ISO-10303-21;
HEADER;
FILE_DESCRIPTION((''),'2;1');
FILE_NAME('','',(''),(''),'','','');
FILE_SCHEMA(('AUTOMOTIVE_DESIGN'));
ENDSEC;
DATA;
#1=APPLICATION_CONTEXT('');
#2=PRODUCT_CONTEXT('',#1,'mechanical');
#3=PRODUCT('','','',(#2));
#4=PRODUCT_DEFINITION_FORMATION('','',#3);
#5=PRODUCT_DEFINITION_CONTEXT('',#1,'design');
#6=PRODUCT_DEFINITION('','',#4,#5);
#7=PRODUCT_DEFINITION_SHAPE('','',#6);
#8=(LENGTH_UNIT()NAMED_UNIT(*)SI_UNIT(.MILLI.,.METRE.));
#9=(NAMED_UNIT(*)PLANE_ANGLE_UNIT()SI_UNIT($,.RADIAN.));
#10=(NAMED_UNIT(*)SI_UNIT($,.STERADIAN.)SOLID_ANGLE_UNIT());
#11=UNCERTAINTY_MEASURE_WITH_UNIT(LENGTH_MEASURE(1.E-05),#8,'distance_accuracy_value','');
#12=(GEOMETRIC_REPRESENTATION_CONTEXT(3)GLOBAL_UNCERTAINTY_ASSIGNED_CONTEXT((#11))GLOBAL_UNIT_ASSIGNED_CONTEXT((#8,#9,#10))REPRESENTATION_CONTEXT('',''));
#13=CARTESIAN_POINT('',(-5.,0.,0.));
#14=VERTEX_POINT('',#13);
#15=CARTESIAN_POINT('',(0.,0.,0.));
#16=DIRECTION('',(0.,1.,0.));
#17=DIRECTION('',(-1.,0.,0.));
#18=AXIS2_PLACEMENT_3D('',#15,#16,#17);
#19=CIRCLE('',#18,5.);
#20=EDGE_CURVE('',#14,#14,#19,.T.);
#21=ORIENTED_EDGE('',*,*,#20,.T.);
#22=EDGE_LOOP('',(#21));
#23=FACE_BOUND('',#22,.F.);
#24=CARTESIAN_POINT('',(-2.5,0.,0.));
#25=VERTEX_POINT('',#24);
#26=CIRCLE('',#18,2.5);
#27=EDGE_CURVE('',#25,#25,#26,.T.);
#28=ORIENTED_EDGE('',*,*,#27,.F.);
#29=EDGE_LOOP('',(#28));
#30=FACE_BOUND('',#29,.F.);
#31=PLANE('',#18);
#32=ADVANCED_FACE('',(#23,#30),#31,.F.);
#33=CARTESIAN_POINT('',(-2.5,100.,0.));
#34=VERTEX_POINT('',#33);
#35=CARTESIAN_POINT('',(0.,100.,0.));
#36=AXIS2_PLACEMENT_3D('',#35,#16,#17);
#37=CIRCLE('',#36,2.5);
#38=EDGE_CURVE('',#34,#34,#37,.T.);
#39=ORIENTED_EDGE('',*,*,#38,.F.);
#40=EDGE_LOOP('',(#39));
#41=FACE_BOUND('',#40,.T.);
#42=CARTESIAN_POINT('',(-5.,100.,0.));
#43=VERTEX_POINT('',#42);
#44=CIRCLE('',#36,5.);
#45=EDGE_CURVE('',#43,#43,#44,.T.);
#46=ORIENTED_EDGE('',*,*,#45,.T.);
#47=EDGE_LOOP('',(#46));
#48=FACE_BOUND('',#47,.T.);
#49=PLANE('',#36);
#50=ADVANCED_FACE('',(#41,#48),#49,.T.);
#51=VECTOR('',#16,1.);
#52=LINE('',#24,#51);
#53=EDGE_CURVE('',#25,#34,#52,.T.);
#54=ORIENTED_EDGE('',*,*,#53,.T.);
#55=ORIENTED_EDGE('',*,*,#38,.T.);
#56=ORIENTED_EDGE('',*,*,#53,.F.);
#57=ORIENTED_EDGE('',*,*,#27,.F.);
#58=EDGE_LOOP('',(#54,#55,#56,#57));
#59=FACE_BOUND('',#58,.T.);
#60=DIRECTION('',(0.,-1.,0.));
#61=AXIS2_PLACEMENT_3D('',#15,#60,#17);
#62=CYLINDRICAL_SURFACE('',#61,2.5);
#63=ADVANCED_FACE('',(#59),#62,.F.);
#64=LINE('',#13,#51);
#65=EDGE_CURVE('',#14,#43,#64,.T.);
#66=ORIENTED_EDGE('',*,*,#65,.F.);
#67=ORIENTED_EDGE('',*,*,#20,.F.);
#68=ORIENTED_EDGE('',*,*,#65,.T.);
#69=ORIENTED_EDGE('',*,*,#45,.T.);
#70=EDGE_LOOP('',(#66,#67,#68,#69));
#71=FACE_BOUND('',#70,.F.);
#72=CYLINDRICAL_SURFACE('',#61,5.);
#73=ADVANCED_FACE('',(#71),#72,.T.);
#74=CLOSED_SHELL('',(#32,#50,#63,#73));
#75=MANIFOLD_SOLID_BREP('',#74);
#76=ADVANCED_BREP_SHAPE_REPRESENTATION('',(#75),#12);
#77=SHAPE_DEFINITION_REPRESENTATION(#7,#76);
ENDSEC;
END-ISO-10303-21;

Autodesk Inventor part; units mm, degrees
ref_plane "YZ Plane" through (0, 0, 0) normal (1, 0, 0) x (0, 1, 0)
ref_plane "XZ Plane" through (0, 0, 0) normal (0, 1, 0) x (-1, 0, 0)
ref_plane "XY Plane" through (0, 0, 0) normal (0, 0, 1) x (1, 0, 0)
sketch "Esboço1" plane through (0, 0, 0) normal (0, 1, 0) x (-1, 0, 0)
  circle A0 centre (0, 0) radius 5
  circle A1 centre (0, 0) radius 2.5
  dimension "d0" = 10
  dimension "d1" = 5
extrude "Extrusão1" add sketch "Esboço1" along normal blind 100
properties part number "Suporte - Chapa Base Hand"
